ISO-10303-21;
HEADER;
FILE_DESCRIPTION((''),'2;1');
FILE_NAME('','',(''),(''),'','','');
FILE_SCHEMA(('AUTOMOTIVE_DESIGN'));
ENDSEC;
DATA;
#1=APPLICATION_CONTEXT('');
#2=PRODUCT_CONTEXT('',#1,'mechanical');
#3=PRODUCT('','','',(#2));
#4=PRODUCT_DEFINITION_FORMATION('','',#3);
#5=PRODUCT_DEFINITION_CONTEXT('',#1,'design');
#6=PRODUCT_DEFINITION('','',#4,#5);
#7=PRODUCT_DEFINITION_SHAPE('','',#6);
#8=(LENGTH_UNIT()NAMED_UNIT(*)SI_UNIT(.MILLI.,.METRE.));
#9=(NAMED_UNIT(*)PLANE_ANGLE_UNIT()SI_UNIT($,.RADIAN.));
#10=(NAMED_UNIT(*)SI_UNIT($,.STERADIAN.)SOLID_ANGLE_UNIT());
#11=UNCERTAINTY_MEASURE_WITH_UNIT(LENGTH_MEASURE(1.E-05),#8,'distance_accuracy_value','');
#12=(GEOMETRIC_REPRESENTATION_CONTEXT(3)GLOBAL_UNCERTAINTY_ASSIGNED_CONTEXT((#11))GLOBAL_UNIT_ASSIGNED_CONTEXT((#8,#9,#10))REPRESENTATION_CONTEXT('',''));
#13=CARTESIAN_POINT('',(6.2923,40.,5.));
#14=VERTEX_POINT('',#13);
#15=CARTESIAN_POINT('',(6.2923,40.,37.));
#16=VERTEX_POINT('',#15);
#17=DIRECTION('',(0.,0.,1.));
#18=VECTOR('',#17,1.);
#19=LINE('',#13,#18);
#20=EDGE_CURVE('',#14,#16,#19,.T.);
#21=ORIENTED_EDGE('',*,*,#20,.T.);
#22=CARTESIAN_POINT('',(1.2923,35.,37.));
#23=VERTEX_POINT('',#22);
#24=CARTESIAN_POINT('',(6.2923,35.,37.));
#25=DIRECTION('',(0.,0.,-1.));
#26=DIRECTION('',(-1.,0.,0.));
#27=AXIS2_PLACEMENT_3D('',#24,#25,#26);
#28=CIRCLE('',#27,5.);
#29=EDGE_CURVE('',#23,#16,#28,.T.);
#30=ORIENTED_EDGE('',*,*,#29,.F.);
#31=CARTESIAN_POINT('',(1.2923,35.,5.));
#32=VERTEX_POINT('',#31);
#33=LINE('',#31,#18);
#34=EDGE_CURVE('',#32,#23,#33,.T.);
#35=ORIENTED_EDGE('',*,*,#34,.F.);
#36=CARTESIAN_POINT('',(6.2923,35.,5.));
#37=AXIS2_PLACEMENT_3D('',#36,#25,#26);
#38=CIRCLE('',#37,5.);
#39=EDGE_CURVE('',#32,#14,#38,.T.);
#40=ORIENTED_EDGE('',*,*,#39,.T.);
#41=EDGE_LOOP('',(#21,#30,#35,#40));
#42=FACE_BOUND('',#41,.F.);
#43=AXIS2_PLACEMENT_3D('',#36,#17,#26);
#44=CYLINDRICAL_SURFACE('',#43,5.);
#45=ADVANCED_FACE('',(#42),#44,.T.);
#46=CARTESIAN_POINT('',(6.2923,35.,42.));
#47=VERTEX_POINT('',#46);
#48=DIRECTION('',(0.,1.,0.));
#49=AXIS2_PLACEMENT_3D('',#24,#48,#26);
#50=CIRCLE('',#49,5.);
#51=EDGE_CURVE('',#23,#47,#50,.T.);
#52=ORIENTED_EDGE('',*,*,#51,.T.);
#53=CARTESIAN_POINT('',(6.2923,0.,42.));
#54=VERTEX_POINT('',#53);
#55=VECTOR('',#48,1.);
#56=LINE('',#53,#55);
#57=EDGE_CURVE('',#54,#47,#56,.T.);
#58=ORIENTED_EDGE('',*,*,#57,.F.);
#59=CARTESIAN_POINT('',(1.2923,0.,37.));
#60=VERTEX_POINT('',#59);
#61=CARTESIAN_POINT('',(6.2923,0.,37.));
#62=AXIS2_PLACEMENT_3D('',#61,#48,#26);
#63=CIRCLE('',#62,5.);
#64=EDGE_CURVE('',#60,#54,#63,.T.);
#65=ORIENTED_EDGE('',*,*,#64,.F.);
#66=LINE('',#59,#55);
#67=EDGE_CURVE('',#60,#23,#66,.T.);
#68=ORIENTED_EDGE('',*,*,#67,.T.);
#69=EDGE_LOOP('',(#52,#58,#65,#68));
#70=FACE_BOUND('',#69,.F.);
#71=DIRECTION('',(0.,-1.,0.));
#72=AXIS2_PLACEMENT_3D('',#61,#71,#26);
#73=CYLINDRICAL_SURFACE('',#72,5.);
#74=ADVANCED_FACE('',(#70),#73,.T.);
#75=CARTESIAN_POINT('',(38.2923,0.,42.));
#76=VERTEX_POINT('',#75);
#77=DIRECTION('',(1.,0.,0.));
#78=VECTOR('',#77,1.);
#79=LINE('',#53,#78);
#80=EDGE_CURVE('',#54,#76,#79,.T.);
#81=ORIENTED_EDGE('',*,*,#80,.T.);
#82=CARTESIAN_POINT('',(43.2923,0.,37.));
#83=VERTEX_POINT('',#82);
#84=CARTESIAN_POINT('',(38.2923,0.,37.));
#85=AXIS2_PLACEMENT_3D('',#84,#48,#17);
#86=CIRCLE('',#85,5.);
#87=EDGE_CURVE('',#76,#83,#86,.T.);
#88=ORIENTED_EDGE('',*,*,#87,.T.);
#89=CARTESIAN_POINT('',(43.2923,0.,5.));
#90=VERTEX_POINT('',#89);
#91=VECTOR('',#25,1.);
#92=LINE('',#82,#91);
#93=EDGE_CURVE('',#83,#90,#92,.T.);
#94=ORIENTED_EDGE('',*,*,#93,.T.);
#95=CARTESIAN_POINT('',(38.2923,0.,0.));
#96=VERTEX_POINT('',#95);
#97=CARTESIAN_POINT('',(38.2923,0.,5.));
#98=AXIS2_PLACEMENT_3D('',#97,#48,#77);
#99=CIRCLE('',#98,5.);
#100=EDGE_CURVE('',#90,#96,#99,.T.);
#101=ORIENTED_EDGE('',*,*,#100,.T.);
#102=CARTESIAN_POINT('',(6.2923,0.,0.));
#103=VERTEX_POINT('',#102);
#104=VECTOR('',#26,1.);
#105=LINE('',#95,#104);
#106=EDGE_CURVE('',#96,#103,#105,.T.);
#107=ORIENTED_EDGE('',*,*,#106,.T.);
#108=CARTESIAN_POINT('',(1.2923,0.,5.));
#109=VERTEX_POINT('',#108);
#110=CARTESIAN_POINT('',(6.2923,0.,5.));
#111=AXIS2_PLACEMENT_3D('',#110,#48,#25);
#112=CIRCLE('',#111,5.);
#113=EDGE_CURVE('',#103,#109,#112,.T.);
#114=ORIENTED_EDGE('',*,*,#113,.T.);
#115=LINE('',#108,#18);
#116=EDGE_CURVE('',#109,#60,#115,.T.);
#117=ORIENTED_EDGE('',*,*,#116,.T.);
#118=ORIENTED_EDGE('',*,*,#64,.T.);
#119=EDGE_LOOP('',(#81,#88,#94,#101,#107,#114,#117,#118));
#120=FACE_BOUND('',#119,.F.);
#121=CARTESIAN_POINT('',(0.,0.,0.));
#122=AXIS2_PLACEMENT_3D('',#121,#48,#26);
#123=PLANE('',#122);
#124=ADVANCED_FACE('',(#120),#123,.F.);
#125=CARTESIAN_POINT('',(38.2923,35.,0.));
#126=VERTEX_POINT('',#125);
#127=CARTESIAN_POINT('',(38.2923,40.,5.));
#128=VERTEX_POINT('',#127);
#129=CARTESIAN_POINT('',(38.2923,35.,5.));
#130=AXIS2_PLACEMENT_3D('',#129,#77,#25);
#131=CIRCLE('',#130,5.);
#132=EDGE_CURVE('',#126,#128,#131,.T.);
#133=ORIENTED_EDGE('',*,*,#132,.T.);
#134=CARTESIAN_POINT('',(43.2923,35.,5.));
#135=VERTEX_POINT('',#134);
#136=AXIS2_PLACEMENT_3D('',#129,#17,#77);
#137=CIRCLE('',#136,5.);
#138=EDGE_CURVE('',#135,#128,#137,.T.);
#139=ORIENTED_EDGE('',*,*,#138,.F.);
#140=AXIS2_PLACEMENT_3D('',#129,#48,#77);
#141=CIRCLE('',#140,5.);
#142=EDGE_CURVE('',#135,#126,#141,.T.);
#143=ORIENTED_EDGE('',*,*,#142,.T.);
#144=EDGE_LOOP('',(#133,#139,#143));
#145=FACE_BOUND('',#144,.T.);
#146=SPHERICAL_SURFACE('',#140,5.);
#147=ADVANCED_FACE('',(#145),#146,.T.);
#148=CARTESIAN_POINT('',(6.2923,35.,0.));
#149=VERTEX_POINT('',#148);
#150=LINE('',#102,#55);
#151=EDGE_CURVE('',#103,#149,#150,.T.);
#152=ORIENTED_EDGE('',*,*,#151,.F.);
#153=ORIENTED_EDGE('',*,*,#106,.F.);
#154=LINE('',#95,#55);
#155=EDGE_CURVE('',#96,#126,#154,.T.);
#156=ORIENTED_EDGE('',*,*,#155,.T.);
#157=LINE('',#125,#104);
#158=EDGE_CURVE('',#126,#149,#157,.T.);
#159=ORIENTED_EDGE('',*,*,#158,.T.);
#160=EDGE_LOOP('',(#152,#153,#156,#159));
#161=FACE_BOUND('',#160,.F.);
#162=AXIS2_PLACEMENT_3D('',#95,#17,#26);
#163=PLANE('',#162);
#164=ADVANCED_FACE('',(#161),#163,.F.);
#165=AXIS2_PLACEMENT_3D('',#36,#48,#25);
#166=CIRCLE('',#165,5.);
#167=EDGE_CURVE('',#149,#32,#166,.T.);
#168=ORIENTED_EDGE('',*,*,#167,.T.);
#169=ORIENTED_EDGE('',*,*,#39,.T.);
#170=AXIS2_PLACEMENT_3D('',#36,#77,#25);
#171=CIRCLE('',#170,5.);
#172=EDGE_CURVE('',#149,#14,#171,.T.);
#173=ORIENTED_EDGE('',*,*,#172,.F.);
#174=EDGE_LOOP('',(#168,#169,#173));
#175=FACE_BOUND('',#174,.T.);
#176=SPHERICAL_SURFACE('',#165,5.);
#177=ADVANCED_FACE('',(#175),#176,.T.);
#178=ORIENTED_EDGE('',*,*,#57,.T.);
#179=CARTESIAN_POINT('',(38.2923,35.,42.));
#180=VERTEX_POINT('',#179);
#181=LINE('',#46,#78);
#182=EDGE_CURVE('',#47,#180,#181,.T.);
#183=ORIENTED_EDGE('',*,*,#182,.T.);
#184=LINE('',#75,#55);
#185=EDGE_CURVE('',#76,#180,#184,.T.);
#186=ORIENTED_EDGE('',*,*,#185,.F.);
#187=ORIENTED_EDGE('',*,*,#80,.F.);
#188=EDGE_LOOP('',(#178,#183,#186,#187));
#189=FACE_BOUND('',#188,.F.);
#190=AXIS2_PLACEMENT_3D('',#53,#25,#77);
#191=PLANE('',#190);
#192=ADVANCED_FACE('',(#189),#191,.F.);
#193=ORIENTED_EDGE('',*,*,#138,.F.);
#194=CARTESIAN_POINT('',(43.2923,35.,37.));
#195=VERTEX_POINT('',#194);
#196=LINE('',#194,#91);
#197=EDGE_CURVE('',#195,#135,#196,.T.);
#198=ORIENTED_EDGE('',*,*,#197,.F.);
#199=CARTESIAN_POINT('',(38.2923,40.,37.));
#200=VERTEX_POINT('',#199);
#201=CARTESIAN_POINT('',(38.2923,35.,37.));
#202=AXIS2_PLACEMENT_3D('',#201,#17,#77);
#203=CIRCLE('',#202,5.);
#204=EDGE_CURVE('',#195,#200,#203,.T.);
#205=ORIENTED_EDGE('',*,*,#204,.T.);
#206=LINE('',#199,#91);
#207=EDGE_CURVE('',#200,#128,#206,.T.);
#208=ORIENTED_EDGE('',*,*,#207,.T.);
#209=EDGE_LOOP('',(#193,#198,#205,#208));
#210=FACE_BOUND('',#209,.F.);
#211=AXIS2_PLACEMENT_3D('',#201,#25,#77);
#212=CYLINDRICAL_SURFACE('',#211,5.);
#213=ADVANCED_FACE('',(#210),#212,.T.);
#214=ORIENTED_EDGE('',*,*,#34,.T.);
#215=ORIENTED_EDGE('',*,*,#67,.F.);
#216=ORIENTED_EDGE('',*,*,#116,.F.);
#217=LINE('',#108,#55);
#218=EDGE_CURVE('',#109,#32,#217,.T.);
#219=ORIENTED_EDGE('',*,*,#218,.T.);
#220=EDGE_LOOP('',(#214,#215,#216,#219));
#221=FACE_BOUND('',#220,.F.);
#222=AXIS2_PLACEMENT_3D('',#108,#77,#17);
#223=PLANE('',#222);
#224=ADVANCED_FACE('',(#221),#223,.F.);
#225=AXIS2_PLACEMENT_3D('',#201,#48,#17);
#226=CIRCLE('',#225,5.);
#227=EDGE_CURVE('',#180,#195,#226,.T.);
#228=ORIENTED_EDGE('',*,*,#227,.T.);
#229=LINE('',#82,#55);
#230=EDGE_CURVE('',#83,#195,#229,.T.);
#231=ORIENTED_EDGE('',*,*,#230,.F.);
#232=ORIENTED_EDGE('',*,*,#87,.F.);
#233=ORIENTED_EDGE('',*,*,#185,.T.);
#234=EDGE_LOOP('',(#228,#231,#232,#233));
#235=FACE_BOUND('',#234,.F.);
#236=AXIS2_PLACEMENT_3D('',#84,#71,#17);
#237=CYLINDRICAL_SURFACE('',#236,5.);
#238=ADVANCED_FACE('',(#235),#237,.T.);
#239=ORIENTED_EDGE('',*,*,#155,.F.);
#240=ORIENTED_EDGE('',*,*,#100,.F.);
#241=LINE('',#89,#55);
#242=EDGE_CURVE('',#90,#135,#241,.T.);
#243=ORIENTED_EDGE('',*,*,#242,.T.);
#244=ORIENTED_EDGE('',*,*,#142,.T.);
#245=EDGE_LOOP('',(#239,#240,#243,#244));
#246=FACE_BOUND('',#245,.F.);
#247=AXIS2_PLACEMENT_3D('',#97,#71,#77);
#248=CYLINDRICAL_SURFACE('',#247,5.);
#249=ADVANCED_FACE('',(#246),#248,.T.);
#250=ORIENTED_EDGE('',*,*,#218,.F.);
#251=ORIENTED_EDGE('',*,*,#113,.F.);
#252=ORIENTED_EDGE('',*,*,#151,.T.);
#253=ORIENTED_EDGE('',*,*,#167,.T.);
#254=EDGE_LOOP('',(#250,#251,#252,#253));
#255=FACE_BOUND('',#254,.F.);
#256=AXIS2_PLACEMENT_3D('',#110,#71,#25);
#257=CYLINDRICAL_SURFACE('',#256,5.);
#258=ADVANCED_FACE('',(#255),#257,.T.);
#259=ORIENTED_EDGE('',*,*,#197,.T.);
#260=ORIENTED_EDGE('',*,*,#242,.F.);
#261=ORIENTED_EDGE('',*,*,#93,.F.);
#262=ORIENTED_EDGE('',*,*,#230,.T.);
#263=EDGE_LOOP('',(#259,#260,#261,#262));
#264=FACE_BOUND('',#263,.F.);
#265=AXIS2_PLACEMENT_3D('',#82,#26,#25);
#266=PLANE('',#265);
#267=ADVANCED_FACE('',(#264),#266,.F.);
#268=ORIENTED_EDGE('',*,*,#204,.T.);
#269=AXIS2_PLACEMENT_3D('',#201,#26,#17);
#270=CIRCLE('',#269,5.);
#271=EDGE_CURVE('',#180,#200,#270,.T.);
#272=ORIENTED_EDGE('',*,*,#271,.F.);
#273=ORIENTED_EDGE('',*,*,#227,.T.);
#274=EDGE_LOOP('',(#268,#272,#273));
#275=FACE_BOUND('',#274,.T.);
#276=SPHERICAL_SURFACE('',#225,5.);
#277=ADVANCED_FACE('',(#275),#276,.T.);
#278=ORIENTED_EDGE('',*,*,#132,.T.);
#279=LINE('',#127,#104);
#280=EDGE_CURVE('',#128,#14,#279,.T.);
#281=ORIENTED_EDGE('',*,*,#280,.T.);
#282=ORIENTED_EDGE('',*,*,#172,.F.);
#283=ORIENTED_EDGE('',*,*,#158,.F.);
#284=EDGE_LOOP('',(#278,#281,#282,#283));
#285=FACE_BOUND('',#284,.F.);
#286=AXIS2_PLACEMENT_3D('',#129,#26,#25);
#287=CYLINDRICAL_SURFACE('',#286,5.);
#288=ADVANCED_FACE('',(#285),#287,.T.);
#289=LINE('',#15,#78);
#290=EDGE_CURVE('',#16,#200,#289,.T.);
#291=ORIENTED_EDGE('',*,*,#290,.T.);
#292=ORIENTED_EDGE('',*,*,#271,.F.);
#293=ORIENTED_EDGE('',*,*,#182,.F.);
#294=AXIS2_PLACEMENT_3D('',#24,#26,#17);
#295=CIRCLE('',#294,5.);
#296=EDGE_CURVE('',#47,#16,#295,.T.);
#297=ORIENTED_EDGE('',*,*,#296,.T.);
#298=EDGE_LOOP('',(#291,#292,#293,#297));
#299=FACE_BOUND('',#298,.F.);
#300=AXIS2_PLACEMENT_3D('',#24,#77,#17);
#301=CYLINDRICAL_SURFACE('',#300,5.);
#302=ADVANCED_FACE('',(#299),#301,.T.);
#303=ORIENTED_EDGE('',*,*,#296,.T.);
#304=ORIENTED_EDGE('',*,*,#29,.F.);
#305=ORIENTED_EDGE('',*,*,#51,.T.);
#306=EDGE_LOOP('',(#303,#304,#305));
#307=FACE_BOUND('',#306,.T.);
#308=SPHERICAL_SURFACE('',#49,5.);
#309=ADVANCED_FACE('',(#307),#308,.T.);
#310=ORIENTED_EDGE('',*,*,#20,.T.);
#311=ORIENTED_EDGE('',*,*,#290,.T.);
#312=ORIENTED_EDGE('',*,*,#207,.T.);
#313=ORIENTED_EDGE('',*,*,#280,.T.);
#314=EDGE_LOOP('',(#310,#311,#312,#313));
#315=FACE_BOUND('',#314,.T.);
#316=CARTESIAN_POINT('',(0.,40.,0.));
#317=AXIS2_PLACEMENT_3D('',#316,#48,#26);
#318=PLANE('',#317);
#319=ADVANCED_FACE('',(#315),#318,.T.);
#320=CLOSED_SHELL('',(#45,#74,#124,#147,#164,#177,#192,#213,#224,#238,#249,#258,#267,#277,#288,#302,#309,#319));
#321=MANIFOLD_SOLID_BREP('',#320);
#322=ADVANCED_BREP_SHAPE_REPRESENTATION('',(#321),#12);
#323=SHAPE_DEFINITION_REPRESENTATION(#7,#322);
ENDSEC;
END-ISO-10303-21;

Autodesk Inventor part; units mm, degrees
ref_plane "YZ Plane" through (0, 0, 0) normal (1, 0, 0) x (0, 1, 0)
ref_plane "XZ Plane" through (0, 0, 0) normal (0, 1, 0) x (-1, 0, 0)
ref_plane "XY Plane" through (0, 0, 0) normal (0, 0, 1) x (1, 0, 0)
sketch "Schizzo1" plane through (0, 0, 0) normal (0, 1, 0) x (-1, 0, 0)
  line L0 (-6.2923, 42) -> (-38.2923, 42)
  line L1 (-43.2923, 37) -> (-43.2923, 5)
  line L2 (-38.2923, 0) -> (-6.2923, 0)
  line L3 (-1.2923, 5) -> (-1.2923, 37)
  arc A0 (-1.2923, 37) -> (-6.2923, 42) centre (-6.2923, 37) ccw
  arc A1 (-38.2923, 42) -> (-43.2923, 37) centre (-38.2923, 37) ccw
  arc A2 (-43.2923, 5) -> (-38.2923, 0) centre (-38.2923, 5) ccw
  arc A3 (-6.2923, 0) -> (-1.2923, 5) centre (-6.2923, 5) ccw
  point P0 (0, 0)
  point P1 (-1.2923, 42)
  point P2 (-43.2923, 0)
  point P3 (-1.2923, 0)
  dimension "d0" = 42
  dimension "d1" = 42
  dimension "d2" = 5
  dimension "d3" = 5
extrude "Estrusione1" add sketch "Schizzo1" along normal blind 40
fillet "Raccordo1" radius 5 8 edges at (22.2923, 40, 42) (41.8278, 40, 40.5355) (43.2923, 40, 21) (41.8278, 40, 1.4645) (22.2923, 40, 0) (2.7568, 40, 1.4645) (1.2923, 40, 21) (2.7568, 40, 40.5355)
properties part number "motoreù"
